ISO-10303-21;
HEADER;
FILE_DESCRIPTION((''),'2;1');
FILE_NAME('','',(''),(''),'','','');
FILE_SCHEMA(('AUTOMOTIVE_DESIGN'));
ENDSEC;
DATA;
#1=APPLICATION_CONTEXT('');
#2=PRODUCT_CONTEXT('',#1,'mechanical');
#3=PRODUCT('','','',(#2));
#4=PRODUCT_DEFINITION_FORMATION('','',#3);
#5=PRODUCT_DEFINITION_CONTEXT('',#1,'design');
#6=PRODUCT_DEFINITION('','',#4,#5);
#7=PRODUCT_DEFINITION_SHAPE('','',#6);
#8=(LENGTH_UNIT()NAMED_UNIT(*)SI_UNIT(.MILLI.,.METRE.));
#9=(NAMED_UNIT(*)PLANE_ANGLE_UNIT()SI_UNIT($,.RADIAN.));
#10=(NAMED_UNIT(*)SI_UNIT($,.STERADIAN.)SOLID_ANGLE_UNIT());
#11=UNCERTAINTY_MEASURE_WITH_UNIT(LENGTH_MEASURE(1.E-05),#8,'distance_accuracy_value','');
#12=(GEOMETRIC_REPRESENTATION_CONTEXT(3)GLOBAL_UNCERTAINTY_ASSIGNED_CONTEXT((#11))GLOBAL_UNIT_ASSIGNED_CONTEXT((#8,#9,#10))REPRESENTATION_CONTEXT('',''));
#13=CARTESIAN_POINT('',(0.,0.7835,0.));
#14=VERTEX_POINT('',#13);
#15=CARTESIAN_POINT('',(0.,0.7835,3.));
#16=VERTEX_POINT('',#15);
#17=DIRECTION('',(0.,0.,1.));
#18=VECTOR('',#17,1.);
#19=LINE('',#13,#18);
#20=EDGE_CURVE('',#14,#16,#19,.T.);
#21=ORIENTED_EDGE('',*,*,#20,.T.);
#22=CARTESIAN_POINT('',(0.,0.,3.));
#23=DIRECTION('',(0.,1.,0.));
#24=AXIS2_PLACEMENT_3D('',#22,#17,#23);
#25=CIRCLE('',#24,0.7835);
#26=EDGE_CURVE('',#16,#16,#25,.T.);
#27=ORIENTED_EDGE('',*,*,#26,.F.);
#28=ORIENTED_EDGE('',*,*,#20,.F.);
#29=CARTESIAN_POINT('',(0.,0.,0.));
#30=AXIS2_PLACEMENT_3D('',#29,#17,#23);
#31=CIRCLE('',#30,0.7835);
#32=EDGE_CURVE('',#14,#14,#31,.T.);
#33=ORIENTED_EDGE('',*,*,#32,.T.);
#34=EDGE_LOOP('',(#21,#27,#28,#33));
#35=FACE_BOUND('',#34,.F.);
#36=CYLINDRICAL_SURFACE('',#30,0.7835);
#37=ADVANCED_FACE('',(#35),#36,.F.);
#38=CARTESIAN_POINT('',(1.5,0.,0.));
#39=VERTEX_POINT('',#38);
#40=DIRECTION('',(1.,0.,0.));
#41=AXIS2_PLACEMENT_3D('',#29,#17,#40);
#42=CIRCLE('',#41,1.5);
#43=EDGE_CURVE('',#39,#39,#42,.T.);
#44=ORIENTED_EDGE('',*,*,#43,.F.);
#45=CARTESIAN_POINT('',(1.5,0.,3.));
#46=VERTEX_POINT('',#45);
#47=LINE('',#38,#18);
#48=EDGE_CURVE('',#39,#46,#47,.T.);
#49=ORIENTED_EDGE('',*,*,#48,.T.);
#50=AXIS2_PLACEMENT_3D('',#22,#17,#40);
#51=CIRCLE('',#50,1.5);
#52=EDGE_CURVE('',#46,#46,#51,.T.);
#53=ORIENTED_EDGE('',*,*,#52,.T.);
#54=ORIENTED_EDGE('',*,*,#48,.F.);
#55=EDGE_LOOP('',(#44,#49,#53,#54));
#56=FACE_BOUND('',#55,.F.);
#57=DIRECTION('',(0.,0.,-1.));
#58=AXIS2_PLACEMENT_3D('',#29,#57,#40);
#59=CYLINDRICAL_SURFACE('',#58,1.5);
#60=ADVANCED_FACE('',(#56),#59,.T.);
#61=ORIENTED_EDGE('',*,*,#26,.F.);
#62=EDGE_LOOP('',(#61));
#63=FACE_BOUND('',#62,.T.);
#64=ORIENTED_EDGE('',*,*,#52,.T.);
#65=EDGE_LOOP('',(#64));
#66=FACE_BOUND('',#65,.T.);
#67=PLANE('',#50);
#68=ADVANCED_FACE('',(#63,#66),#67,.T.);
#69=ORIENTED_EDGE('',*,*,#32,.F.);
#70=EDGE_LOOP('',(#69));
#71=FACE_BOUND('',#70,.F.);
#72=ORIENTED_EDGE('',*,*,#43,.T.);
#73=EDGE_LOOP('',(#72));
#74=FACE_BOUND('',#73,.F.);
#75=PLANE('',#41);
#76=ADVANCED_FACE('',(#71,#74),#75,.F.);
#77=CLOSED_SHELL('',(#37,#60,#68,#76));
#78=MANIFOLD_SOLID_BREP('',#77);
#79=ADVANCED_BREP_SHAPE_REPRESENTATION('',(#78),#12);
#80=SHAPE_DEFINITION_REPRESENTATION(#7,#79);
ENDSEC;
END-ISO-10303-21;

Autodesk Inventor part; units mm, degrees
ref_plane "YZ Plane" through (0, 0, 0) normal (1, 0, 0) x (0, 1, 0)
ref_plane "XZ Plane" through (0, 0, 0) normal (0, 1, 0) x (-1, 0, 0)
ref_plane "XY Plane" through (0, 0, 0) normal (0, 0, 1) x (1, 0, 0)
sketch "スケッチ1" plane through (0, 0, 0) normal (0, 0, 1) x (1, 0, 0)
  circle A0 centre (0, 0) radius 1.5
  dimension "d0" = 3
extrude "押し出し1" add sketch "スケッチ1" along normal blind 3
hole "穴1" at (0, 0, 0) direction (0, 0, 1) diameter 1.567 depth 6.3 tip angle 118 thread size "M2x0.4" designation "M2" class "6H" standard "GB Metric profile"
properties part number "FB-2001"
